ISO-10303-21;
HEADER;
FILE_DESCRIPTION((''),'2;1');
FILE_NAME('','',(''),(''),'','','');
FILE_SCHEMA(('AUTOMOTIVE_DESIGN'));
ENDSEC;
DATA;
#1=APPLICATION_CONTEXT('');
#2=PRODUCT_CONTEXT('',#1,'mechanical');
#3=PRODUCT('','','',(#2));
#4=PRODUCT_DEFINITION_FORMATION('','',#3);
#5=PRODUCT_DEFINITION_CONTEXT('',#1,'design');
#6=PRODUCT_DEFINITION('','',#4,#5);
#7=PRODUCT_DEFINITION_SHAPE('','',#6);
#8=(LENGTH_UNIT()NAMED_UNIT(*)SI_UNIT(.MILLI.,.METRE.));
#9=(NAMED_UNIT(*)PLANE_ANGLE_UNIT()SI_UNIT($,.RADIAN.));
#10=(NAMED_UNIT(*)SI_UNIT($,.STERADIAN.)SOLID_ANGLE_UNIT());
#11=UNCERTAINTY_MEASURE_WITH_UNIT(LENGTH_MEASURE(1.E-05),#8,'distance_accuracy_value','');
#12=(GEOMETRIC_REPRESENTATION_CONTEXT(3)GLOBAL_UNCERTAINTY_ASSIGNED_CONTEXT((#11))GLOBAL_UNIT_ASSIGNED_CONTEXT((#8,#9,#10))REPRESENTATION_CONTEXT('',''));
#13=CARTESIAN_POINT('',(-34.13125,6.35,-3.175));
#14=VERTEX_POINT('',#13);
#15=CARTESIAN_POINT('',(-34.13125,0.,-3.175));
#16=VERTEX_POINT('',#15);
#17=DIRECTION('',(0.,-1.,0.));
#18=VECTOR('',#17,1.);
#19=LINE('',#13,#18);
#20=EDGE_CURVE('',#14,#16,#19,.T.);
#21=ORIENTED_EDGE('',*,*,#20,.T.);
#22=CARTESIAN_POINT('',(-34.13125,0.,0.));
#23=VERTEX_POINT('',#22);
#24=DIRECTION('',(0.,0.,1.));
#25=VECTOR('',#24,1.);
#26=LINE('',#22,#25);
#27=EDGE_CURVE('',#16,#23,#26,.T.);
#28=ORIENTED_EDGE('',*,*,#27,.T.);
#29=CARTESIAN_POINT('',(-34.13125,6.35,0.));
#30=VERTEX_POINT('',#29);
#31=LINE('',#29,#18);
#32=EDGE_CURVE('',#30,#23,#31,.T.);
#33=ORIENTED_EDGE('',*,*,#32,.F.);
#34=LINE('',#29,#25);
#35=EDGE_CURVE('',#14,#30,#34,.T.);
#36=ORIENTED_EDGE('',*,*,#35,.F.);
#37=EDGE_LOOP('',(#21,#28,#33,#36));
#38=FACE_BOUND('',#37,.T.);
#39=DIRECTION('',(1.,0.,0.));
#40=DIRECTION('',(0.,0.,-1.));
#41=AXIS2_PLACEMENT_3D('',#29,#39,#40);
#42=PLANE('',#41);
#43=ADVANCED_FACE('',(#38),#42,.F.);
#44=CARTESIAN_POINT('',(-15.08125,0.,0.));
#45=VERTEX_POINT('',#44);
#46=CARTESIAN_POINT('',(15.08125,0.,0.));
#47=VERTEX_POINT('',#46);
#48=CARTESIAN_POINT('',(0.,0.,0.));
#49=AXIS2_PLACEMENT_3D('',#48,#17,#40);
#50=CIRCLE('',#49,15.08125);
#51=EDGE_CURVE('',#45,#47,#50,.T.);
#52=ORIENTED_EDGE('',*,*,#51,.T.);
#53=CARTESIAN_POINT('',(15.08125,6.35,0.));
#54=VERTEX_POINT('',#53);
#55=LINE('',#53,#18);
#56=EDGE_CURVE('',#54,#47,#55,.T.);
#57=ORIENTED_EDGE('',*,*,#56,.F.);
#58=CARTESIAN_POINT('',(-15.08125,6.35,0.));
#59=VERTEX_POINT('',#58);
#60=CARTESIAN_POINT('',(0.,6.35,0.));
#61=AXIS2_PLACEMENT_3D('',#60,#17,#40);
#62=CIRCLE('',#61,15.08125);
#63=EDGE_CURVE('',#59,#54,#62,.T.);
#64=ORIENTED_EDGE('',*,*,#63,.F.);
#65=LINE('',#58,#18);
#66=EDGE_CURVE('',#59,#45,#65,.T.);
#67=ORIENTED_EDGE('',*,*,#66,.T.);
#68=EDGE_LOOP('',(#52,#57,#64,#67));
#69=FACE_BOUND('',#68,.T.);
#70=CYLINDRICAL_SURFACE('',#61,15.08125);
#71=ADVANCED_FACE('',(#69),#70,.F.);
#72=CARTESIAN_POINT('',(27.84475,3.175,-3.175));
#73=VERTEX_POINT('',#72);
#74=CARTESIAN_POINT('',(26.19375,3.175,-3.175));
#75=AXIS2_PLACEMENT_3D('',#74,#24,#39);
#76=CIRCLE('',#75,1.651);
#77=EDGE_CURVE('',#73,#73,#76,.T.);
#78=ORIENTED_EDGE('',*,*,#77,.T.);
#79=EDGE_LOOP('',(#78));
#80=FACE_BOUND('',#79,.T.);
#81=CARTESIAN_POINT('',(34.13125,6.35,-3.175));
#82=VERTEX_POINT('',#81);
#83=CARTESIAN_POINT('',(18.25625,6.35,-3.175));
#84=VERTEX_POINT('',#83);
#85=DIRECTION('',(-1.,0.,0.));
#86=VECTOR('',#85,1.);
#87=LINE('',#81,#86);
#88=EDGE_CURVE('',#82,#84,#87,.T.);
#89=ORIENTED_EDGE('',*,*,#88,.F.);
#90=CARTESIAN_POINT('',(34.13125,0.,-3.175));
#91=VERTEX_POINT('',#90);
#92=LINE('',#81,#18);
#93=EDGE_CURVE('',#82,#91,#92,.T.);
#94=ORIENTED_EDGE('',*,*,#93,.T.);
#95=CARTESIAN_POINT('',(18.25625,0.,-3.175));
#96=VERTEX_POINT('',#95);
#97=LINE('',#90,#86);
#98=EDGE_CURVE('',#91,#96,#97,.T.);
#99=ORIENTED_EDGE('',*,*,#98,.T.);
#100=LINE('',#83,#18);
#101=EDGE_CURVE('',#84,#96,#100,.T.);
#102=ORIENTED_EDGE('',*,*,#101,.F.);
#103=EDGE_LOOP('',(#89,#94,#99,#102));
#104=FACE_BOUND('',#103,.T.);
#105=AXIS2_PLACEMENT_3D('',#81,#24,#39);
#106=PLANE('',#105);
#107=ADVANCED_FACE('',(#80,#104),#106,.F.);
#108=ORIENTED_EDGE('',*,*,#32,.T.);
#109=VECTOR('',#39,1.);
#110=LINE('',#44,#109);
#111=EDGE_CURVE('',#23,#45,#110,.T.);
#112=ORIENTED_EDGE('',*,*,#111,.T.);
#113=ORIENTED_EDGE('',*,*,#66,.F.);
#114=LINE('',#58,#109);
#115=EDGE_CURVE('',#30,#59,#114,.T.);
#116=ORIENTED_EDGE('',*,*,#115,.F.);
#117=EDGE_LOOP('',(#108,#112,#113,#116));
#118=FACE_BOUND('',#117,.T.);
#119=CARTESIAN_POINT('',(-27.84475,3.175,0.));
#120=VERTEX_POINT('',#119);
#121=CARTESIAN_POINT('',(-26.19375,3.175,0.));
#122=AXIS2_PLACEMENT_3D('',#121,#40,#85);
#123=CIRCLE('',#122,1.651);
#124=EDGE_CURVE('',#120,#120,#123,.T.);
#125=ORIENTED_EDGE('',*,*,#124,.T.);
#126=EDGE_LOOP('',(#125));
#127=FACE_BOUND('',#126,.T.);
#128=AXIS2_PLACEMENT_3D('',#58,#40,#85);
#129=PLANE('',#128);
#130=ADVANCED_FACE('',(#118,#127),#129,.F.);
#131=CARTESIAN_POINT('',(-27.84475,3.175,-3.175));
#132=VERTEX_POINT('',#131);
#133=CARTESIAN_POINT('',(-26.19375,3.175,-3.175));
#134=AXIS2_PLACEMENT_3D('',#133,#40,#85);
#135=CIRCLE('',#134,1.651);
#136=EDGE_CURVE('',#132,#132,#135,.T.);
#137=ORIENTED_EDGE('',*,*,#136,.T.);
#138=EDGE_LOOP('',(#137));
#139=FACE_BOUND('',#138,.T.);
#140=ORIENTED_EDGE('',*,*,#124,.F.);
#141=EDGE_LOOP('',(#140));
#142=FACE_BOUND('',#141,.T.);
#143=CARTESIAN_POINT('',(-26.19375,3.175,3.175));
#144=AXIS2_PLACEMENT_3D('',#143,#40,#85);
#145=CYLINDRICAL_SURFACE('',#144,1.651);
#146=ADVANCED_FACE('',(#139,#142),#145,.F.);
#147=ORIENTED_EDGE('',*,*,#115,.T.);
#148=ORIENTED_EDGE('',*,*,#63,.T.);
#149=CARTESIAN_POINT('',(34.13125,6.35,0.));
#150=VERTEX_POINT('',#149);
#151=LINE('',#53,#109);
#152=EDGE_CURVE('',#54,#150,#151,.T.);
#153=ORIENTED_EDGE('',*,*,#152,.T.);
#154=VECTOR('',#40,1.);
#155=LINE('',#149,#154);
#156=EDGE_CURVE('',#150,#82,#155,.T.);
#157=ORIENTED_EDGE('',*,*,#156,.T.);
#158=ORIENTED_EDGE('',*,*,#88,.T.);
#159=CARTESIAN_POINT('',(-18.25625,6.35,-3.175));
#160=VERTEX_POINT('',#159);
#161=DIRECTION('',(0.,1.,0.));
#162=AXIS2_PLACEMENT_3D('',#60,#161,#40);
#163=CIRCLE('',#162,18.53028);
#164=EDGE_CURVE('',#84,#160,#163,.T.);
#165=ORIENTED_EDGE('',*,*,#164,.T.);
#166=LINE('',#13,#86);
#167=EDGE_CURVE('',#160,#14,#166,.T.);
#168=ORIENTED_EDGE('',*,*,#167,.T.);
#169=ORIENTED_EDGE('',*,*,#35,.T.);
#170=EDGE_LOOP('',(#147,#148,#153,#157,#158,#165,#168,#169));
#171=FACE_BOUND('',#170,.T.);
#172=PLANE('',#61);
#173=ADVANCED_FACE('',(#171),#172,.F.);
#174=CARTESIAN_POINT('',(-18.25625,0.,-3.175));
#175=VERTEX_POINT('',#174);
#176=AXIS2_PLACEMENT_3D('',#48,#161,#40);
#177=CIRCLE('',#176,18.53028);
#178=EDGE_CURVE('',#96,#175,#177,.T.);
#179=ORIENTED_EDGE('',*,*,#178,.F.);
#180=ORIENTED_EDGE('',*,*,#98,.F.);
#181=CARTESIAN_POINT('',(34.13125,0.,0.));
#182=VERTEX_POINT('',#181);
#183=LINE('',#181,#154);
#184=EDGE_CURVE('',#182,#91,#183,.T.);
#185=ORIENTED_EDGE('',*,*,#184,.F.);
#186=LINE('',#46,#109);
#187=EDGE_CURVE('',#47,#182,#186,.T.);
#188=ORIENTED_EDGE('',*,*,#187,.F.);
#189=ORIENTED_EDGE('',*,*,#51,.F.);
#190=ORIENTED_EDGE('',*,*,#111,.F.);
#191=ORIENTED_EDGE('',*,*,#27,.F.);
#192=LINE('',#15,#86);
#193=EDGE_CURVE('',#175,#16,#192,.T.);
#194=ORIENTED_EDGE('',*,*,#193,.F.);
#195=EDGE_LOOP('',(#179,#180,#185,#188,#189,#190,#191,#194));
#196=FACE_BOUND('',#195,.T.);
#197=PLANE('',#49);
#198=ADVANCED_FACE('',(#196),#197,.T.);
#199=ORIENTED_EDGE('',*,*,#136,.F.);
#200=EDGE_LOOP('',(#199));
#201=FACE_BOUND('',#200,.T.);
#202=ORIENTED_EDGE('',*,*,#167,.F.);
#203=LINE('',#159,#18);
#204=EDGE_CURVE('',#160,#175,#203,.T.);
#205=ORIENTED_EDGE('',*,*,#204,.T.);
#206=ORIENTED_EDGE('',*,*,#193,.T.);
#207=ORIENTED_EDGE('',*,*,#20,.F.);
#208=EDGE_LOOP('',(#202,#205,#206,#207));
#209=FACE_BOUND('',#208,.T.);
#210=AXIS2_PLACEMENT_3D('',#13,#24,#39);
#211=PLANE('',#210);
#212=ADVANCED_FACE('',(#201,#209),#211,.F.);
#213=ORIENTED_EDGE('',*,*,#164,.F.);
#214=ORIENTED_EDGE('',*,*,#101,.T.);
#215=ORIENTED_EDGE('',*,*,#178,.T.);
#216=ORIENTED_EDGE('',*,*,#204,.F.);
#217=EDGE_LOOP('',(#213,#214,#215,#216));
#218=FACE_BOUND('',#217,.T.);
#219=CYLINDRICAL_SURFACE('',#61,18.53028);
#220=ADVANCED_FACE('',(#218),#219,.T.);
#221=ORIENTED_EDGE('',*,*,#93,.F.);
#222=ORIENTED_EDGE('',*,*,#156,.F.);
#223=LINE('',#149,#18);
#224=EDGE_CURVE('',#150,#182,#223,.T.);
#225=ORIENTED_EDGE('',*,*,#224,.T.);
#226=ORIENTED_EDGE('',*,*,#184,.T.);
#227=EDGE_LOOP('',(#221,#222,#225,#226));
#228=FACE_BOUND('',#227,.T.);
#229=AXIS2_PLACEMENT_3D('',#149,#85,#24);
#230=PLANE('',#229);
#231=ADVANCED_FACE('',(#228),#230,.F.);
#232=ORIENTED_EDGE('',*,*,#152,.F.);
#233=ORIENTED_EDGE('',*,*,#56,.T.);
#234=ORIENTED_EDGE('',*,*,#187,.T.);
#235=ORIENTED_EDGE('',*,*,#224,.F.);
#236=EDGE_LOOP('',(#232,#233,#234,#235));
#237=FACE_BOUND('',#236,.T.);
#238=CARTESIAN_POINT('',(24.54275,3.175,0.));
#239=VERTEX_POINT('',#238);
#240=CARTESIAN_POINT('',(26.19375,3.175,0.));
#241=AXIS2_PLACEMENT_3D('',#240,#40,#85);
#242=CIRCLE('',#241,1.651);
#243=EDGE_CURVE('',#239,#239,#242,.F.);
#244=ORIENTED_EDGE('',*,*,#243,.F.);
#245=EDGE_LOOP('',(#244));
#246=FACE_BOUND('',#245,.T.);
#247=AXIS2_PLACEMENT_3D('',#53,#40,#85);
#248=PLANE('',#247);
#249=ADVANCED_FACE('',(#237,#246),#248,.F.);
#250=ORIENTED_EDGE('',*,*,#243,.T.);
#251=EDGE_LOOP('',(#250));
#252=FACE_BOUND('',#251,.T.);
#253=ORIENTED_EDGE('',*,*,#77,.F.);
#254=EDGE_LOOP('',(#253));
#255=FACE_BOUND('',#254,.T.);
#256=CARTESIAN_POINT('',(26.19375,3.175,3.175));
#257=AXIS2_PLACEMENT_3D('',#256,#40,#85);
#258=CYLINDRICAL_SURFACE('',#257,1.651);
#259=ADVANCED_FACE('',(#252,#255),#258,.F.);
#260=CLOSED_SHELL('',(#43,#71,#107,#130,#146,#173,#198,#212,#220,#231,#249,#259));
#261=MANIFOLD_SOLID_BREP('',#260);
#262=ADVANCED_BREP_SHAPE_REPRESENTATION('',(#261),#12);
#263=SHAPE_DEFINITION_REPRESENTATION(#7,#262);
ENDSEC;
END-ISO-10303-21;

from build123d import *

# Parameters (mm, degrees)
BOSS_EXTRUDE1_DEPTH = 6.35
SKETCH2_R           = 1.651
CUT_EXTRUDE1_DEPTH  = 6.35


with BuildPart() as part:
    # Sketch1 → Boss-Extrude1 (new body)
    with BuildSketch(Plane(origin=(0, 0, 0), x_dir=(1, 0, 0), z_dir=(0, 1, 0))):
        with BuildLine():
            Line((-15.08125, 0), (-34.13125, 0))
            Line((-34.13125, 0), (-34.13125, 3.175))
            Line((-34.13125, 3.175), (-18.25625, 3.175))
            ThreePointArc((-18.25625, 3.175), (0, 18.530280329), (18.25625, 3.175))
            Line((18.25625, 3.175), (34.13125, 3.175))
            Line((34.13125, 3.175), (34.13125, 0))
            Line((34.13125, 0), (15.08125, 0))
            ThreePointArc((15.08125, 0), (0, 15.08125), (-15.08125, 0))
        make_face()
    extrude(amount=BOSS_EXTRUDE1_DEPTH)

    # Sketch2 → Cut-Extrude1 (cut)
    with BuildSketch(Plane(origin=(0, 0, -3.175), x_dir=(-1, 0, 0), z_dir=(0, 0, -1))):
        with Locations((26.19375, 3.175)):
            Circle(SKETCH2_R)
    cut_extrude1 = extrude(amount=-CUT_EXTRUDE1_DEPTH, mode=Mode.SUBTRACT)

    # Mirror1: Cut-Extrude1 across plane
    add(cut_extrude1.mirror(Plane(origin=(0, 0, 0), x_dir=(0, 0, 1), z_dir=(1, 0, 0))), mode=Mode.SUBTRACT)


solid = part.part
